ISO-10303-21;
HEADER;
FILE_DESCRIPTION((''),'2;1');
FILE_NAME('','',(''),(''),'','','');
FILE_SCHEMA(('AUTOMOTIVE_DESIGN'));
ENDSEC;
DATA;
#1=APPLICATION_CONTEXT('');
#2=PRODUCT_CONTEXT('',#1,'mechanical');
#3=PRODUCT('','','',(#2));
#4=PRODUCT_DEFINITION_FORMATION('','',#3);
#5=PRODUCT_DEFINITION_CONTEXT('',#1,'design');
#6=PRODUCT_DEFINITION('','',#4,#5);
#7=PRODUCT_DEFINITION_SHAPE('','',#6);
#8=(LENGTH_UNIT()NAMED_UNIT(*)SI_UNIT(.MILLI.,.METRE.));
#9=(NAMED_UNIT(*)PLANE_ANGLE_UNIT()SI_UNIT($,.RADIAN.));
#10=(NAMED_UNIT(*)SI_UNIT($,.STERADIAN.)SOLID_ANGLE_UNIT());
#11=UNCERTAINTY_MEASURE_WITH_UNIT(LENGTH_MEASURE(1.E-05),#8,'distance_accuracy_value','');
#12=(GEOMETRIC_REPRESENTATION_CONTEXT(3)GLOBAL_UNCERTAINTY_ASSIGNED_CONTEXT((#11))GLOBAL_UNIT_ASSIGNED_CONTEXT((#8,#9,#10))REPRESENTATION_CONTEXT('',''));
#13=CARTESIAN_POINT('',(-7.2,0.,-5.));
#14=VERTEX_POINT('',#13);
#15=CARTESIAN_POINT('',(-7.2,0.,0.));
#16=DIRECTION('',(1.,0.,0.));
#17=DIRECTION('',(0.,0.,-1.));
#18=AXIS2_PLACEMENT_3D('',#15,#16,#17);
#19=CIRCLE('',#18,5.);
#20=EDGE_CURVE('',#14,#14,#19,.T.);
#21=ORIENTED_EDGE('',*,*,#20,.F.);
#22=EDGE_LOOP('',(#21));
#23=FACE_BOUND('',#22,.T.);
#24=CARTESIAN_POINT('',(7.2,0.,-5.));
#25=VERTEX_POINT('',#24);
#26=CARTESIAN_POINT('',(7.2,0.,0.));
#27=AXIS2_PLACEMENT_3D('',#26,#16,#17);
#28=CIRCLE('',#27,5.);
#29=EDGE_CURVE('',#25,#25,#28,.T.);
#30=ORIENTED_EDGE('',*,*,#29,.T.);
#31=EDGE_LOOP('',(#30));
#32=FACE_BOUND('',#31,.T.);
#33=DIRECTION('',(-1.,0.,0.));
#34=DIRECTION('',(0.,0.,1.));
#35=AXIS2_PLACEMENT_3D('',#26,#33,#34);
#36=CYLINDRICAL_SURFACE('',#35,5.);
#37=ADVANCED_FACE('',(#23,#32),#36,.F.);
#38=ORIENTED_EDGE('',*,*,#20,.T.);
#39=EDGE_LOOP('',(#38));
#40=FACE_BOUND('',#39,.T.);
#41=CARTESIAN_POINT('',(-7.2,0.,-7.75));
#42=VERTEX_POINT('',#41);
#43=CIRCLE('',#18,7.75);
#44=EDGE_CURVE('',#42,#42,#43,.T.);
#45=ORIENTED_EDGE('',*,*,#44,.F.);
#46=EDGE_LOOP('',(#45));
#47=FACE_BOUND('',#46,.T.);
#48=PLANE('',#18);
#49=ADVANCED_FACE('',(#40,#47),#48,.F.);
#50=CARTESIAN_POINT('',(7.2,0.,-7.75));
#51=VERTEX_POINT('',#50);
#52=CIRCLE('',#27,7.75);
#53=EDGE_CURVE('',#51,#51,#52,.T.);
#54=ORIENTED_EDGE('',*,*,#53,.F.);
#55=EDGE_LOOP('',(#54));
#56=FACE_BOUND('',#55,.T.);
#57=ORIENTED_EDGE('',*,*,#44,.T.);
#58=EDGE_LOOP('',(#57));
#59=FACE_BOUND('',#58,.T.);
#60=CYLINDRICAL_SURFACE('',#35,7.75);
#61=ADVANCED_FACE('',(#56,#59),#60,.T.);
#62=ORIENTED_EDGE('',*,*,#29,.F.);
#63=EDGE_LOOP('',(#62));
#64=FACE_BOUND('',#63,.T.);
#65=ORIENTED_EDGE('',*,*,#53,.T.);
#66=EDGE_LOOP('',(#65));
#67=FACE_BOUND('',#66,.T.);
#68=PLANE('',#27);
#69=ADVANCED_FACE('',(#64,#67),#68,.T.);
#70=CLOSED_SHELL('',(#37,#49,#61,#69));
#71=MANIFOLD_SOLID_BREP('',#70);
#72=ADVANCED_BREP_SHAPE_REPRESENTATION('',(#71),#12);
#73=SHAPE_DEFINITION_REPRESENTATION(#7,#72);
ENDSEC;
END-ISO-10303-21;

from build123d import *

# Parameters (mm, degrees)
SKETCH1_R           = 7.75
SKETCH1_R_2         = 5
BOSS_EXTRUDE1_DEPTH = 7.2


with BuildPart() as part:
    # Sketch1 → Boss-Extrude1 (new, symmetric)
    with BuildSketch(Plane(origin=(0, 0, 0), x_dir=(0, 0, -1), z_dir=(1, 0, 0))):
        Circle(SKETCH1_R)
        Circle(SKETCH1_R_2, mode=Mode.SUBTRACT)
    extrude(amount=BOSS_EXTRUDE1_DEPTH, both=True)


solid = part.part
